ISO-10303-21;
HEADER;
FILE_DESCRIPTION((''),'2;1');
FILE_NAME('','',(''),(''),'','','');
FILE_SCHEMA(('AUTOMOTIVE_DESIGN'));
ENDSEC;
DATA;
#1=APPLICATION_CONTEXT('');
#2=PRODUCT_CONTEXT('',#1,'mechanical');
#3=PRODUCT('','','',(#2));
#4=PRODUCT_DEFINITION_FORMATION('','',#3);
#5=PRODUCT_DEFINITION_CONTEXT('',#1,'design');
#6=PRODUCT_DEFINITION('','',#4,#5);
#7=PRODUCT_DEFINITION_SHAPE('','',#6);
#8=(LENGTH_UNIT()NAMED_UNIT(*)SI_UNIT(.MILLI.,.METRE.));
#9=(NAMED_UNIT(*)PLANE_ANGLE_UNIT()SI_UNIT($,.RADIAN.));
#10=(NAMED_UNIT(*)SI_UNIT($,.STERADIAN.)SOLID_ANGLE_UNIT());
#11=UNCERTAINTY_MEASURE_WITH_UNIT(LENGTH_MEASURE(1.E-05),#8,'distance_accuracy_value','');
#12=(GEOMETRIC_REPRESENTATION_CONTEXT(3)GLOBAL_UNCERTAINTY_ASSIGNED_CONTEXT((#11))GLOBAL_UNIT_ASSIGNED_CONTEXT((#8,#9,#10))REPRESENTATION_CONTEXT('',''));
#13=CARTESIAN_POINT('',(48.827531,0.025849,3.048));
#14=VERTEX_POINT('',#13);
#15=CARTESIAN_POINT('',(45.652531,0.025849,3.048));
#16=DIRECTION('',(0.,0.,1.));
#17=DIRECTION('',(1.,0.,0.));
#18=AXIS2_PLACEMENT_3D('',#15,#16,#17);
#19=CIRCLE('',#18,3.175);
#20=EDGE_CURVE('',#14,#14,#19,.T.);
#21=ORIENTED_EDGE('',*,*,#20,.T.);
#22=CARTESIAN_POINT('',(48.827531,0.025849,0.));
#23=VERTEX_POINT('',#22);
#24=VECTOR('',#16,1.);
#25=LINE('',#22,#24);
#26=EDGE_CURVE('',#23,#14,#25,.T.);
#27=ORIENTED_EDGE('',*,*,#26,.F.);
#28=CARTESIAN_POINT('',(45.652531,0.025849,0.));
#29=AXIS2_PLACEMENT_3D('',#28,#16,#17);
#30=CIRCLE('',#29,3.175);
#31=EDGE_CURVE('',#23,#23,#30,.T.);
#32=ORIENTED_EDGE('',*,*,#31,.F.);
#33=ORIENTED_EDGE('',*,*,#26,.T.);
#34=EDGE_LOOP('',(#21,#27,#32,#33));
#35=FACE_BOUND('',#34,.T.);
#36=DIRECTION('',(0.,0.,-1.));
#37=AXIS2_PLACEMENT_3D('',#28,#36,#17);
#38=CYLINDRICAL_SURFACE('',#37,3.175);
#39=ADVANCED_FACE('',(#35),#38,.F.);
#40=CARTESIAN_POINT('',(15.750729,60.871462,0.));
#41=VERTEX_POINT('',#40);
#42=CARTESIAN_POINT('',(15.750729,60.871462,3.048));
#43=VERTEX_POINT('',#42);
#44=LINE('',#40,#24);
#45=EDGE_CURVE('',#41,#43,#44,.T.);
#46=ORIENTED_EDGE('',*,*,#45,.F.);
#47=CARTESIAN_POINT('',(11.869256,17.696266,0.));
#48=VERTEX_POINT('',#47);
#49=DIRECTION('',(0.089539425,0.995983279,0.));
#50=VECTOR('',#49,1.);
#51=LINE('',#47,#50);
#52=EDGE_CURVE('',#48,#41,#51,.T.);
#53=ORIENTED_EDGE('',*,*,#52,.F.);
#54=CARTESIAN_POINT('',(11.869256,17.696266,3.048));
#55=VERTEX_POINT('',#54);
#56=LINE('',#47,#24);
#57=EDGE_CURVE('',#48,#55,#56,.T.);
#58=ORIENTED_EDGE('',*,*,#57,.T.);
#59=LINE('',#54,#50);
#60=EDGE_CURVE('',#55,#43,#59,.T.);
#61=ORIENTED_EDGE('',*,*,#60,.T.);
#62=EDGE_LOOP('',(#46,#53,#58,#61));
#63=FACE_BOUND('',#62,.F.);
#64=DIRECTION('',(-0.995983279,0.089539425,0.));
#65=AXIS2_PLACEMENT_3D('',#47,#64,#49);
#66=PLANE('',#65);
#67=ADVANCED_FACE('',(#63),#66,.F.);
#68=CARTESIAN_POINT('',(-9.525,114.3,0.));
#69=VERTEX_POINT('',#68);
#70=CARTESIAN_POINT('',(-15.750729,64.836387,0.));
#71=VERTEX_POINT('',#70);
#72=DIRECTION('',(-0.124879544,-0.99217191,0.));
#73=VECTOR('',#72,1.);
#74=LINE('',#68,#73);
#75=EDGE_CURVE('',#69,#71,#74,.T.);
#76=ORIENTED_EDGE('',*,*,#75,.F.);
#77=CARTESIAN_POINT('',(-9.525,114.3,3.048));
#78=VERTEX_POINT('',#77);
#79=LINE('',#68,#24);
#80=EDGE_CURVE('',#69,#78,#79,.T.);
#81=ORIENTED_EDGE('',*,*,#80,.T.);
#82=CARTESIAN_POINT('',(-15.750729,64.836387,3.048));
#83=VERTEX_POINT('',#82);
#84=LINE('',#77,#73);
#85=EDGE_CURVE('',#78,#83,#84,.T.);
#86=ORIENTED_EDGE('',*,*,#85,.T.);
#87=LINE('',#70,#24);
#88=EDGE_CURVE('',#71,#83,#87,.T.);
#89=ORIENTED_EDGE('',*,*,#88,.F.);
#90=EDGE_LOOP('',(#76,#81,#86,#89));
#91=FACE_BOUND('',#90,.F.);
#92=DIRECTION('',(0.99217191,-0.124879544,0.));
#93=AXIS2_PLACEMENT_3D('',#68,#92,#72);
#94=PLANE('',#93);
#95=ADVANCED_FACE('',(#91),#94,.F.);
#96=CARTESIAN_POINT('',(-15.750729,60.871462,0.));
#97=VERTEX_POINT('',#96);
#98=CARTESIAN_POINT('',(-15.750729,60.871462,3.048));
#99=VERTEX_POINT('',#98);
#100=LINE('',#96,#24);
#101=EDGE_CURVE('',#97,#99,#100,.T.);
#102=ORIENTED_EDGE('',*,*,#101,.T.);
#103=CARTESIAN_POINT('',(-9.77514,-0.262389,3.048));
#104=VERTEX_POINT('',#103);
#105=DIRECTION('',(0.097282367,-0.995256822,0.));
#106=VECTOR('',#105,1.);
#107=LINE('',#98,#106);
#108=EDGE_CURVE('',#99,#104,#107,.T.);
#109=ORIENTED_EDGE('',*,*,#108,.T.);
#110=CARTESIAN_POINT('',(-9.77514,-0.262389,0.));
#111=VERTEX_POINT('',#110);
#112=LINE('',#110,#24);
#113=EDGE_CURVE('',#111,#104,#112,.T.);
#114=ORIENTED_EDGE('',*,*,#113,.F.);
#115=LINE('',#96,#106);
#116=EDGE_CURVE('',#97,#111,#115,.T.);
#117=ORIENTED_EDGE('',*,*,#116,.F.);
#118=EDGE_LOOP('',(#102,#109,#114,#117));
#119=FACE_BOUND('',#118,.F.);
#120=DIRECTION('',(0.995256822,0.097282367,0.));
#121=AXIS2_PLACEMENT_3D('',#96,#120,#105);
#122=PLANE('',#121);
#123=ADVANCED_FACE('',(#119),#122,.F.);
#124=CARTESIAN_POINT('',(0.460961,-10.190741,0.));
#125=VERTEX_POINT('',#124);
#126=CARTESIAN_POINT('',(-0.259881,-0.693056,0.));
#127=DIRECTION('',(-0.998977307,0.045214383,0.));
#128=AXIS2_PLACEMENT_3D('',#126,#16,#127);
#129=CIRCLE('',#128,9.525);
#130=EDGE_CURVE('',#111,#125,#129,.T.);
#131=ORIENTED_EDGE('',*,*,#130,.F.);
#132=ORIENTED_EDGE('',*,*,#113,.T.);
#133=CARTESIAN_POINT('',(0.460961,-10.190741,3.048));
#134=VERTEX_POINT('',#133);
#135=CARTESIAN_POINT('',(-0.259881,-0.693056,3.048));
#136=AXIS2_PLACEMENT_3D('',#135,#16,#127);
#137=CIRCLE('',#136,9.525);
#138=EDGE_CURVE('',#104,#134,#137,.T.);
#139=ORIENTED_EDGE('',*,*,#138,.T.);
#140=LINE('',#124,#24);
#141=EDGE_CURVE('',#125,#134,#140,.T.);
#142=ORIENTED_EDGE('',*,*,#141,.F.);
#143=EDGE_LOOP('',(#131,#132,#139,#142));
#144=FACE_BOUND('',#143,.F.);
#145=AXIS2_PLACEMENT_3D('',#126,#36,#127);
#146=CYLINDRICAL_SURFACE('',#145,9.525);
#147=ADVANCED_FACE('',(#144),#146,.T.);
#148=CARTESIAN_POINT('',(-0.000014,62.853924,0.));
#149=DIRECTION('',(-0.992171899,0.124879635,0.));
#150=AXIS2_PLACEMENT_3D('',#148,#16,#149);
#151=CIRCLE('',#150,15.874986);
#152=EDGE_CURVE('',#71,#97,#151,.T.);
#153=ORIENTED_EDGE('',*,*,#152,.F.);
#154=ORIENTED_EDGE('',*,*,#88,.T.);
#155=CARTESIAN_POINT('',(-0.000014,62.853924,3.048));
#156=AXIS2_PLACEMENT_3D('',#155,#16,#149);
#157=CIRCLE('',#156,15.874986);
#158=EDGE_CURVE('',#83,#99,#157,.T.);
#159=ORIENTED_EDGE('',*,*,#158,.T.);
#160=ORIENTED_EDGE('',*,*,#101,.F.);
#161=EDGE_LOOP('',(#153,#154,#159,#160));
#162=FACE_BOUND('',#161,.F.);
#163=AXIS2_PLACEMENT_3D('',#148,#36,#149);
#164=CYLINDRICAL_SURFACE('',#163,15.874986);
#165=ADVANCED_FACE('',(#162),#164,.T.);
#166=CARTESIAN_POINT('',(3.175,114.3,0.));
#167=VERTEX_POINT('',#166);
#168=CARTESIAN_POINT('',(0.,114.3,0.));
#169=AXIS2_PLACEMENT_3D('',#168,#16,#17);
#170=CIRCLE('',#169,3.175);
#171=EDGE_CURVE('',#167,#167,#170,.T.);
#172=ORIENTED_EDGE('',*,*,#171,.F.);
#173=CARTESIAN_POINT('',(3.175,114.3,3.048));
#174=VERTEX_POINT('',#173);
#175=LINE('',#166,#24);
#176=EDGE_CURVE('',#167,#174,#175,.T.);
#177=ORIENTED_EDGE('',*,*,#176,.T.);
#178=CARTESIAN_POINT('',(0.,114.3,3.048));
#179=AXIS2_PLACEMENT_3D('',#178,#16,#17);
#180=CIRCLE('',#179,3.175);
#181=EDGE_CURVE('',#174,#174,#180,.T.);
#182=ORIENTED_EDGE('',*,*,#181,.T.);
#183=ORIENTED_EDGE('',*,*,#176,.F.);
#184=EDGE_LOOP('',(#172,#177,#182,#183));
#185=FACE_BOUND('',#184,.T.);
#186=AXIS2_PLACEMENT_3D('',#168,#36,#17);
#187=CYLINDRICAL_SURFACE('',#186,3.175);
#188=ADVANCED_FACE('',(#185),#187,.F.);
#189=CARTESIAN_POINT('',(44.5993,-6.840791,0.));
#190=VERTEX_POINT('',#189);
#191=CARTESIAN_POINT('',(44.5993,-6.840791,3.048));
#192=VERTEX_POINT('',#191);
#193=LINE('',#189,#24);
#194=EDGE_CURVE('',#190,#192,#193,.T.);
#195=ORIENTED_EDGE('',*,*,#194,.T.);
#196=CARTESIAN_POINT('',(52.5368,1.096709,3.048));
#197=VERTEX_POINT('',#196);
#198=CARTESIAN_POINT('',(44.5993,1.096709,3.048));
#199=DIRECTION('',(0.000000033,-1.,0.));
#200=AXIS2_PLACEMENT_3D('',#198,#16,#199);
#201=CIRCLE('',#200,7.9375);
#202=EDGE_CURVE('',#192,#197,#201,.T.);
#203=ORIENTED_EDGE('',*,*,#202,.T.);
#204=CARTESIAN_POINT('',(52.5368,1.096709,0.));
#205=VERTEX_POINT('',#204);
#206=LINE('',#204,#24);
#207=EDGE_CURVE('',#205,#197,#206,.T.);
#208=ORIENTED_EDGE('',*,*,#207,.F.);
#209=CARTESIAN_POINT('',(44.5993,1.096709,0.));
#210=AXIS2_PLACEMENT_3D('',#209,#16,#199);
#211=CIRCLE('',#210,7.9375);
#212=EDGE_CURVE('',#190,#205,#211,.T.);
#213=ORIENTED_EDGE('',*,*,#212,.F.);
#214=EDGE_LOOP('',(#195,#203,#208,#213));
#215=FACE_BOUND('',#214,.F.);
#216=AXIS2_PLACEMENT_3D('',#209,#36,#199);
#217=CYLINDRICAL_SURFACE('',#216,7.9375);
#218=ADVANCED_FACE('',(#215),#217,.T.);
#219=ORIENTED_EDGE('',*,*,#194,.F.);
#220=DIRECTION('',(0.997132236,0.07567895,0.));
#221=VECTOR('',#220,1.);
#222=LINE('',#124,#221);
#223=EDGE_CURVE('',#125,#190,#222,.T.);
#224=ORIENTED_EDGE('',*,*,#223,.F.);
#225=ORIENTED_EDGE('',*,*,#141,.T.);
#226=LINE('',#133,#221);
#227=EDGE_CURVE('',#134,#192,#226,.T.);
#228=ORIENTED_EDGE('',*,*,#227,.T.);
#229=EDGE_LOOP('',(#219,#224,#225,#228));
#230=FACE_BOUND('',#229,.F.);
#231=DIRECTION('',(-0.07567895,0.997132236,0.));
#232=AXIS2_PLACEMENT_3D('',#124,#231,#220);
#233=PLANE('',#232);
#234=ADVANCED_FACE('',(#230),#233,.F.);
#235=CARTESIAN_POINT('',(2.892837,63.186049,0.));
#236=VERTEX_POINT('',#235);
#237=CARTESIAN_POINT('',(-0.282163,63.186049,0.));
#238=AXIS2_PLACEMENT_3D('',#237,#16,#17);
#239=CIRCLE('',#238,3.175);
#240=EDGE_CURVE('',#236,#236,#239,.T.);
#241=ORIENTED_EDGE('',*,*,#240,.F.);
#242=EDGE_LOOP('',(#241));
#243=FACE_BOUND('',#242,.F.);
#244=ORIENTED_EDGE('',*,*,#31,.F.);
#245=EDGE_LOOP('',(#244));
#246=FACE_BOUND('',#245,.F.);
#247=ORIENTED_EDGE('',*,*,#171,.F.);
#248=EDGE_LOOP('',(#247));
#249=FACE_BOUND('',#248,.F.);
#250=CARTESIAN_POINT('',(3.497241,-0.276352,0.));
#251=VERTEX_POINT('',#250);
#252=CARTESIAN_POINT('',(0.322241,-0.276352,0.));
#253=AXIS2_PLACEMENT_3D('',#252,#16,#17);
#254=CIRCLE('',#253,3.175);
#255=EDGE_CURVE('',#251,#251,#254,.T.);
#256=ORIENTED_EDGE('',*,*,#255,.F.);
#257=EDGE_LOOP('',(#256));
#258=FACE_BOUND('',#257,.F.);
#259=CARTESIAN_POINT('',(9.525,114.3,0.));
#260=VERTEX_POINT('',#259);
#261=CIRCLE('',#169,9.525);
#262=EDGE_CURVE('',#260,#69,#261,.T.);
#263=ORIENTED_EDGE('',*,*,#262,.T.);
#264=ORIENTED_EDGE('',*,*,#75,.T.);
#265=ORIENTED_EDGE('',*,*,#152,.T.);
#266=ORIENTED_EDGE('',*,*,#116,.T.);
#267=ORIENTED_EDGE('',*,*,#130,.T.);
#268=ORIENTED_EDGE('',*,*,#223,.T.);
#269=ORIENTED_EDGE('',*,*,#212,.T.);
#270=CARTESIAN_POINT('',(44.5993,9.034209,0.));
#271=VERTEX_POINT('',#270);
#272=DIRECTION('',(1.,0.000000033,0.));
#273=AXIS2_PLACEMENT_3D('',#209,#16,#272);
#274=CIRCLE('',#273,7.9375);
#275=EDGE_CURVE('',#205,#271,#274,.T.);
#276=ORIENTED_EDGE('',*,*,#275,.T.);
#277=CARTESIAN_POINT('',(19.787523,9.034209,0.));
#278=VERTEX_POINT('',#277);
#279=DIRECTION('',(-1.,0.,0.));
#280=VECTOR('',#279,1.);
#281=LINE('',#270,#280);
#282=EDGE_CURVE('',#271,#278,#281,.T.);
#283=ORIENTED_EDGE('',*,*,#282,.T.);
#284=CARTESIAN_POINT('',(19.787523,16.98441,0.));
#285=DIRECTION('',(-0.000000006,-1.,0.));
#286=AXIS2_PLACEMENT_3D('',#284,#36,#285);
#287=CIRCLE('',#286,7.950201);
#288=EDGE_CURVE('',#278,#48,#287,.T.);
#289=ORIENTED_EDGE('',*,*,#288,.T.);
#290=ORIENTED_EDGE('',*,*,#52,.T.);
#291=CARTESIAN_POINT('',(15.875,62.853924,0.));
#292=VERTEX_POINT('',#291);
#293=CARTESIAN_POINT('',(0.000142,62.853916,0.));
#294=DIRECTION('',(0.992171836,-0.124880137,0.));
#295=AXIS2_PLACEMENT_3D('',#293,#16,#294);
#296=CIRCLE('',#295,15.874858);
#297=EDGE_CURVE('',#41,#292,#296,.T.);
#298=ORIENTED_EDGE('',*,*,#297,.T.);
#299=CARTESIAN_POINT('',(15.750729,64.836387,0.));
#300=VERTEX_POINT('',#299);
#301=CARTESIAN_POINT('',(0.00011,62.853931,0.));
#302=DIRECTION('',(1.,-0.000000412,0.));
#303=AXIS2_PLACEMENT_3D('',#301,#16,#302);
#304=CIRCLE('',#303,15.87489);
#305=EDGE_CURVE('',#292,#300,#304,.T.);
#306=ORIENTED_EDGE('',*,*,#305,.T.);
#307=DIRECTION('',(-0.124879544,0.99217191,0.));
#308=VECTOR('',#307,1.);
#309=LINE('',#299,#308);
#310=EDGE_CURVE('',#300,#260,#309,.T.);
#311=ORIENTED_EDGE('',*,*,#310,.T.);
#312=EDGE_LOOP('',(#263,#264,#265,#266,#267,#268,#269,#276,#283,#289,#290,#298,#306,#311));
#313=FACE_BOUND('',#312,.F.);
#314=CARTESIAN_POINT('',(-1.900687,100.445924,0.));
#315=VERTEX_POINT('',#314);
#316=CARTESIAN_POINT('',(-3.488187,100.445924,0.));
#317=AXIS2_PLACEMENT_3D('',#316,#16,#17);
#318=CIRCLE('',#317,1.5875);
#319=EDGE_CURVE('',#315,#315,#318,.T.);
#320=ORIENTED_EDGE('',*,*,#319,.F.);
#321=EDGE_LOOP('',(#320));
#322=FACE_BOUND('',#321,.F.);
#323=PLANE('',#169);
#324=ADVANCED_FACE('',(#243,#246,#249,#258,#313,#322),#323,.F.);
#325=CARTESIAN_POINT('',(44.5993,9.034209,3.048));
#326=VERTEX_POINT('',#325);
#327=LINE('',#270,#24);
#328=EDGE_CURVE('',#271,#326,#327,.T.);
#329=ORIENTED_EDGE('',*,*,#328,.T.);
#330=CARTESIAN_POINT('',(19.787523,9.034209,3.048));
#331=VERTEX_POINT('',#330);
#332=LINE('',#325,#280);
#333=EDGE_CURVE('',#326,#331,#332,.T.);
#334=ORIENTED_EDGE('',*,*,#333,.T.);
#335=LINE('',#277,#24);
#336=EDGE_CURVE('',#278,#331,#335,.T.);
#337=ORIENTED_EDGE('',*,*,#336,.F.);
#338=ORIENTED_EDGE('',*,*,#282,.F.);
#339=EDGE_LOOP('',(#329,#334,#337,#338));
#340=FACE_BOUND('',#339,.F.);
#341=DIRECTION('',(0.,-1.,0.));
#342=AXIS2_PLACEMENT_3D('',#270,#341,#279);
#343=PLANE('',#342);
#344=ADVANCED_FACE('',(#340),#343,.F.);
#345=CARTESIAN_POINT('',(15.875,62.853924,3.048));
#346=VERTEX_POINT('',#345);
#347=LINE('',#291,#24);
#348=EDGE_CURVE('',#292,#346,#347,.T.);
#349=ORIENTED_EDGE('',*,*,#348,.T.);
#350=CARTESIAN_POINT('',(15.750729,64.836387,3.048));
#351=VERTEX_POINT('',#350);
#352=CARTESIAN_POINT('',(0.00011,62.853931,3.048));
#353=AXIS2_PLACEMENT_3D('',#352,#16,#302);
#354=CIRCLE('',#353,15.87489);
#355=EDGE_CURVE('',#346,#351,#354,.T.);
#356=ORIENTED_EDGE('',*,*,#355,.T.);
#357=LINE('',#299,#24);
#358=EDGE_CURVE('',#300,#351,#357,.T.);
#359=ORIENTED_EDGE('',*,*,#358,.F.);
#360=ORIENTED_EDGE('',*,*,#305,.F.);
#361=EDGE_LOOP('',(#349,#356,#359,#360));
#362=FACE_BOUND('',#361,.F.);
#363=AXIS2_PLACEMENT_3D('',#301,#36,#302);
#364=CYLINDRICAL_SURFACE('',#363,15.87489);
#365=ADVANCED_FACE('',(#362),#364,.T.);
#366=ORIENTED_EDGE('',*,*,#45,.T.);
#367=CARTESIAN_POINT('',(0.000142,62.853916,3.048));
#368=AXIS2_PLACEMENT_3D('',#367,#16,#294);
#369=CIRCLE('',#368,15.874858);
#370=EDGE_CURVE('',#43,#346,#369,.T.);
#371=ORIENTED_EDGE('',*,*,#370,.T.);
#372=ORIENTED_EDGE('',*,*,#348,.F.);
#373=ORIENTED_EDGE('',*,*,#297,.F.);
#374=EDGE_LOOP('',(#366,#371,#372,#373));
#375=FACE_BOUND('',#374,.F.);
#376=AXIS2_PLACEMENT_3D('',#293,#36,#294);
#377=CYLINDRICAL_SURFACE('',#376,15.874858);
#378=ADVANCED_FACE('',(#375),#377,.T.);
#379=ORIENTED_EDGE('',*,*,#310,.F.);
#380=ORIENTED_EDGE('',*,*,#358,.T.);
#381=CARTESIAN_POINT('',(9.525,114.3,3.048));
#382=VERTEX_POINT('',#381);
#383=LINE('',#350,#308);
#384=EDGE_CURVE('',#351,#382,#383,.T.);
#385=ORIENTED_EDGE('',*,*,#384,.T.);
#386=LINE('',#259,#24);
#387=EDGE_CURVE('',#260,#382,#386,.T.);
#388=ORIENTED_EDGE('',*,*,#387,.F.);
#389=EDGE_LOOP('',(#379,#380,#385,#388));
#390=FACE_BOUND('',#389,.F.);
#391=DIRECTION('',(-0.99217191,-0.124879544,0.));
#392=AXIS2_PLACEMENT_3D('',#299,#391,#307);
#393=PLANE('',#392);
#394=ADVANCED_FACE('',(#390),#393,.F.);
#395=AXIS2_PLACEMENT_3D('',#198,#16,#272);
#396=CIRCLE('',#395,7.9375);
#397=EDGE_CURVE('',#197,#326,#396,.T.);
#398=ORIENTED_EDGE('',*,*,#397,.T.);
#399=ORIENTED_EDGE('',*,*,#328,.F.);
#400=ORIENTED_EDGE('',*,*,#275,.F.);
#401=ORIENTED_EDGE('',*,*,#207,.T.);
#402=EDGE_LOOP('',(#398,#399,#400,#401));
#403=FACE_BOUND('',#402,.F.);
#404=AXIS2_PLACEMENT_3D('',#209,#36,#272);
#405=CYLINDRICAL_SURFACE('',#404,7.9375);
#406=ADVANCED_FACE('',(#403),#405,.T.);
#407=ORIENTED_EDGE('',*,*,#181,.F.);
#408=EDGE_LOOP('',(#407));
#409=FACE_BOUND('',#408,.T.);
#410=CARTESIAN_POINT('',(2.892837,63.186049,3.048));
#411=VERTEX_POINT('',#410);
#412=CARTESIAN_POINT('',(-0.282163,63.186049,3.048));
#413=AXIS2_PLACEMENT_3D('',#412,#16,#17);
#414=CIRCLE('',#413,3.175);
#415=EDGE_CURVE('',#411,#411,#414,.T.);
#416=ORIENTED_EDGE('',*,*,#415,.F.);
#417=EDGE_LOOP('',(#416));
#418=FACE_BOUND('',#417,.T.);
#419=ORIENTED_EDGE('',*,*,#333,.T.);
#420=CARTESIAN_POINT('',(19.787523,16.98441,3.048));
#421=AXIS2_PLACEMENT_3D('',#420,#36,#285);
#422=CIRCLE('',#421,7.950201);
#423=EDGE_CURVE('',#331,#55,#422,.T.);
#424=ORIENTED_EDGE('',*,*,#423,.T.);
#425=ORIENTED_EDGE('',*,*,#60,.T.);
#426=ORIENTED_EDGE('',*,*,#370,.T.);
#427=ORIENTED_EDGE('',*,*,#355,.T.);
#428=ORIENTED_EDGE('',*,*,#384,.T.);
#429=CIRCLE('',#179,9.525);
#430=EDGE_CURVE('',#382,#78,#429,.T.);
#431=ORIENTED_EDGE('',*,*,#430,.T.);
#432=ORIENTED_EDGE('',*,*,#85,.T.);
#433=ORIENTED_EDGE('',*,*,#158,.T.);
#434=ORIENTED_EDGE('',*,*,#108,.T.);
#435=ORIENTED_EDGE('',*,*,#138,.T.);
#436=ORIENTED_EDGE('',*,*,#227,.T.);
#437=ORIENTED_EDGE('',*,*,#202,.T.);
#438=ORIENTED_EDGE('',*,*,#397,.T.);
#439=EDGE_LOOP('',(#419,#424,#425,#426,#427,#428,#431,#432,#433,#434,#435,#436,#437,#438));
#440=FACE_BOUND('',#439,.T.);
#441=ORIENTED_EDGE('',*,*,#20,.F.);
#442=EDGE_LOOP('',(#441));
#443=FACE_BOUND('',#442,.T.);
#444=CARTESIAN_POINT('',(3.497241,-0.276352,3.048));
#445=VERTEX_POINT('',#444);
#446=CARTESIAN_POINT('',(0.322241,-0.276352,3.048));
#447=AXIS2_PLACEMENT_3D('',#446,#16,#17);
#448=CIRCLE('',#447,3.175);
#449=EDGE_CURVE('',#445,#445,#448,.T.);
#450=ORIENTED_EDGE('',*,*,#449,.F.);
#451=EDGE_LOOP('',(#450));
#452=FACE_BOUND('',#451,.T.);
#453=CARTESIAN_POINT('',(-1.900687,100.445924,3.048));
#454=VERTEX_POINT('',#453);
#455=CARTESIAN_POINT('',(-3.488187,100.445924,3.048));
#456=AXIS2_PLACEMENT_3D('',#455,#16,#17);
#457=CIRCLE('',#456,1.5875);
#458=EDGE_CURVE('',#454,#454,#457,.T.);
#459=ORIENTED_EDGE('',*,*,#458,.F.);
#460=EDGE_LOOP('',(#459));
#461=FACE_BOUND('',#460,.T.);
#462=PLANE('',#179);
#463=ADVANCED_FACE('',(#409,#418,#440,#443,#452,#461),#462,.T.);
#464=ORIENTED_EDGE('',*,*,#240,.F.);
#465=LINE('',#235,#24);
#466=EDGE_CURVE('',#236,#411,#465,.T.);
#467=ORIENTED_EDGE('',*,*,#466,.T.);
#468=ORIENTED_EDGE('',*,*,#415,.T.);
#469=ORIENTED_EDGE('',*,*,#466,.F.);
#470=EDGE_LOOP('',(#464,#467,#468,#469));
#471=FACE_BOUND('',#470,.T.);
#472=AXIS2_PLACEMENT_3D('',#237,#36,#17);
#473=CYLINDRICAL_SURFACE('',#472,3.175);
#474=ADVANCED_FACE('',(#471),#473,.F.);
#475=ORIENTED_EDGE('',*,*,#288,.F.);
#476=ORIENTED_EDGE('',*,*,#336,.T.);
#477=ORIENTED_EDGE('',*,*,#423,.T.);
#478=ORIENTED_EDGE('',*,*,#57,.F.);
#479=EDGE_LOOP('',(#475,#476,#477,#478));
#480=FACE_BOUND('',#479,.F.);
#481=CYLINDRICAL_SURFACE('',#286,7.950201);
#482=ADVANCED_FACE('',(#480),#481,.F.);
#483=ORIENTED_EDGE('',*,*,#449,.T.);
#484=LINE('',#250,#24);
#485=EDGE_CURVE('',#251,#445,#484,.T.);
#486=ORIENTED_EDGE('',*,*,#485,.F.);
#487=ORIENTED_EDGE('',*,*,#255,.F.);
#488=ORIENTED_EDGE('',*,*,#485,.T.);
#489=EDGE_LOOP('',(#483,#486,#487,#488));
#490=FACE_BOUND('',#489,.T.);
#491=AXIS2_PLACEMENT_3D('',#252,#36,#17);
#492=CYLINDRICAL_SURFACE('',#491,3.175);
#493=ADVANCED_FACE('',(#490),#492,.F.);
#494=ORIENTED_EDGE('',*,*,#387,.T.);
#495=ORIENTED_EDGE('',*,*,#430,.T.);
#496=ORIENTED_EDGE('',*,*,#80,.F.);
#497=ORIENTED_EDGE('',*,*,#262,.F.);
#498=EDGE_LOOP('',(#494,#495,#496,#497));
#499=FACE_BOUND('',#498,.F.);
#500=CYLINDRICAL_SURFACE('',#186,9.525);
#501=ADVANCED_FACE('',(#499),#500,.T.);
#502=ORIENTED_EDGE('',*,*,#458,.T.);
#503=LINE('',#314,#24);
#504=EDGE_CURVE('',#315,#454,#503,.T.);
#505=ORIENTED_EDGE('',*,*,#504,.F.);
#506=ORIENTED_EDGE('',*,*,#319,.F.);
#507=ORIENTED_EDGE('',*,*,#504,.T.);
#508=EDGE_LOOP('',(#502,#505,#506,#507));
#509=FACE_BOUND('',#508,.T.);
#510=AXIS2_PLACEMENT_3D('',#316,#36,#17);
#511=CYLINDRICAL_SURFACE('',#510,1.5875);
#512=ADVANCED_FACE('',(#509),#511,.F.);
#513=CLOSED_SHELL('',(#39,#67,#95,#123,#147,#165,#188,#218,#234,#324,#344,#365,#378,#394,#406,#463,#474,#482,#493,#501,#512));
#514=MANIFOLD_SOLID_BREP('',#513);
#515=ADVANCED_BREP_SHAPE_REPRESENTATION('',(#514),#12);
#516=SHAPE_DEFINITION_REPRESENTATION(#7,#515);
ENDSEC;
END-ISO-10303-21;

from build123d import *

# Parameters (mm, degrees)
F0_R     = 3.175
F0_R_2   = 1.5875
F1_DEPTH = 3.048


with BuildPart() as f1:
    # F0 (on Top) → F1 (new body)
    with BuildSketch(Plane.XY):
        with BuildLine():
            ThreePointArc((-9.525, 114.3), (0, 104.775), (9.525, 114.3))
            ThreePointArc((9.525, 114.3), (0, 123.825), (-9.525, 114.3))
        make_face()
        with Locations((0, 114.3)):
            Circle(F0_R, mode=Mode.SUBTRACT)
        with BuildLine():
            Line((15.750729, 64.836387), (9.525, 114.3))
            ThreePointArc((9.525, 114.3), (0, 104.775), (-9.525, 114.3))
            Line((-9.525, 114.3), (-15.750729, 64.836387))
            ThreePointArc((-15.750729, 64.836387), (0, 78.728924), (15.750729, 64.836387))
        make_face()
        with Locations((-3.488187, 100.445924)):
            Circle(F0_R_2, mode=Mode.SUBTRACT)
        with BuildLine():
            ThreePointArc((15.875, 62.853924), (15.843902, 63.847101), (15.750729, 64.836387))
            ThreePointArc((15.750729, 64.836387), (0, 78.728924), (-15.750729, 64.836387))
            ThreePointArc((-15.750729, 64.836387), (-15.875, 62.853924), (-15.750729, 60.871462))
            ThreePointArc((-15.750729, 60.871462), (0, 46.978924), (15.750729, 60.871462))
            ThreePointArc((15.750729, 60.871462), (15.843902, 61.860747), (15.875, 62.853924))
        make_face()
        with Locations((-0.282163, 63.186049)):
            Circle(F0_R, mode=Mode.SUBTRACT)
        with BuildLine():
            ThreePointArc((15.750729, 60.871462), (0, 46.978924), (-15.750729, 60.871462))
            Line((-15.750729, 60.871462), (-9.77514, -0.262389))
            ThreePointArc((-9.77514, -0.262389), (-0.044493, 8.829508), (9.265119, -0.693056))
            ThreePointArc((9.265119, -0.693056), (6.725519, -7.168379), (0.460961, -10.190741))
            Line((0.460961, -10.190741), (44.5993, -6.840791))
            ThreePointArc((44.5993, -6.840791), (36.6618, 1.096709), (44.5993, 9.034209))
            Line((44.5993, 9.034209), (19.787523, 9.034209))
            ThreePointArc((19.787523, 9.034209), (13.919598, 11.620349), (11.869256, 17.696266))
            Line((11.869256, 17.696266), (15.750729, 60.871462))
        make_face()
        with BuildLine():
            ThreePointArc((9.265119, -0.693056), (-0.044493, 8.829508), (-9.77514, -0.262389))
            ThreePointArc((-9.77514, -0.262389), (-6.891509, -7.530244), (0.460961, -10.190741))
            ThreePointArc((0.460961, -10.190741), (6.725519, -7.168379), (9.265119, -0.693056))
        make_face()
        with Locations((0.322241, -0.276352)):
            Circle(F0_R, mode=Mode.SUBTRACT)
        with BuildLine():
            ThreePointArc((44.5993, 9.034209), (36.6618, 1.096709), (44.5993, -6.840791))
            ThreePointArc((44.5993, -6.840791), (50.21196, -4.515951), (52.5368, 1.096709))
            ThreePointArc((52.5368, 1.096709), (50.21196, 6.709369), (44.5993, 9.034209))
        make_face()
        with Locations((45.652531, 0.025849)):
            Circle(F0_R, mode=Mode.SUBTRACT)
    extrude(amount=F1_DEPTH)


solid = f1.part
